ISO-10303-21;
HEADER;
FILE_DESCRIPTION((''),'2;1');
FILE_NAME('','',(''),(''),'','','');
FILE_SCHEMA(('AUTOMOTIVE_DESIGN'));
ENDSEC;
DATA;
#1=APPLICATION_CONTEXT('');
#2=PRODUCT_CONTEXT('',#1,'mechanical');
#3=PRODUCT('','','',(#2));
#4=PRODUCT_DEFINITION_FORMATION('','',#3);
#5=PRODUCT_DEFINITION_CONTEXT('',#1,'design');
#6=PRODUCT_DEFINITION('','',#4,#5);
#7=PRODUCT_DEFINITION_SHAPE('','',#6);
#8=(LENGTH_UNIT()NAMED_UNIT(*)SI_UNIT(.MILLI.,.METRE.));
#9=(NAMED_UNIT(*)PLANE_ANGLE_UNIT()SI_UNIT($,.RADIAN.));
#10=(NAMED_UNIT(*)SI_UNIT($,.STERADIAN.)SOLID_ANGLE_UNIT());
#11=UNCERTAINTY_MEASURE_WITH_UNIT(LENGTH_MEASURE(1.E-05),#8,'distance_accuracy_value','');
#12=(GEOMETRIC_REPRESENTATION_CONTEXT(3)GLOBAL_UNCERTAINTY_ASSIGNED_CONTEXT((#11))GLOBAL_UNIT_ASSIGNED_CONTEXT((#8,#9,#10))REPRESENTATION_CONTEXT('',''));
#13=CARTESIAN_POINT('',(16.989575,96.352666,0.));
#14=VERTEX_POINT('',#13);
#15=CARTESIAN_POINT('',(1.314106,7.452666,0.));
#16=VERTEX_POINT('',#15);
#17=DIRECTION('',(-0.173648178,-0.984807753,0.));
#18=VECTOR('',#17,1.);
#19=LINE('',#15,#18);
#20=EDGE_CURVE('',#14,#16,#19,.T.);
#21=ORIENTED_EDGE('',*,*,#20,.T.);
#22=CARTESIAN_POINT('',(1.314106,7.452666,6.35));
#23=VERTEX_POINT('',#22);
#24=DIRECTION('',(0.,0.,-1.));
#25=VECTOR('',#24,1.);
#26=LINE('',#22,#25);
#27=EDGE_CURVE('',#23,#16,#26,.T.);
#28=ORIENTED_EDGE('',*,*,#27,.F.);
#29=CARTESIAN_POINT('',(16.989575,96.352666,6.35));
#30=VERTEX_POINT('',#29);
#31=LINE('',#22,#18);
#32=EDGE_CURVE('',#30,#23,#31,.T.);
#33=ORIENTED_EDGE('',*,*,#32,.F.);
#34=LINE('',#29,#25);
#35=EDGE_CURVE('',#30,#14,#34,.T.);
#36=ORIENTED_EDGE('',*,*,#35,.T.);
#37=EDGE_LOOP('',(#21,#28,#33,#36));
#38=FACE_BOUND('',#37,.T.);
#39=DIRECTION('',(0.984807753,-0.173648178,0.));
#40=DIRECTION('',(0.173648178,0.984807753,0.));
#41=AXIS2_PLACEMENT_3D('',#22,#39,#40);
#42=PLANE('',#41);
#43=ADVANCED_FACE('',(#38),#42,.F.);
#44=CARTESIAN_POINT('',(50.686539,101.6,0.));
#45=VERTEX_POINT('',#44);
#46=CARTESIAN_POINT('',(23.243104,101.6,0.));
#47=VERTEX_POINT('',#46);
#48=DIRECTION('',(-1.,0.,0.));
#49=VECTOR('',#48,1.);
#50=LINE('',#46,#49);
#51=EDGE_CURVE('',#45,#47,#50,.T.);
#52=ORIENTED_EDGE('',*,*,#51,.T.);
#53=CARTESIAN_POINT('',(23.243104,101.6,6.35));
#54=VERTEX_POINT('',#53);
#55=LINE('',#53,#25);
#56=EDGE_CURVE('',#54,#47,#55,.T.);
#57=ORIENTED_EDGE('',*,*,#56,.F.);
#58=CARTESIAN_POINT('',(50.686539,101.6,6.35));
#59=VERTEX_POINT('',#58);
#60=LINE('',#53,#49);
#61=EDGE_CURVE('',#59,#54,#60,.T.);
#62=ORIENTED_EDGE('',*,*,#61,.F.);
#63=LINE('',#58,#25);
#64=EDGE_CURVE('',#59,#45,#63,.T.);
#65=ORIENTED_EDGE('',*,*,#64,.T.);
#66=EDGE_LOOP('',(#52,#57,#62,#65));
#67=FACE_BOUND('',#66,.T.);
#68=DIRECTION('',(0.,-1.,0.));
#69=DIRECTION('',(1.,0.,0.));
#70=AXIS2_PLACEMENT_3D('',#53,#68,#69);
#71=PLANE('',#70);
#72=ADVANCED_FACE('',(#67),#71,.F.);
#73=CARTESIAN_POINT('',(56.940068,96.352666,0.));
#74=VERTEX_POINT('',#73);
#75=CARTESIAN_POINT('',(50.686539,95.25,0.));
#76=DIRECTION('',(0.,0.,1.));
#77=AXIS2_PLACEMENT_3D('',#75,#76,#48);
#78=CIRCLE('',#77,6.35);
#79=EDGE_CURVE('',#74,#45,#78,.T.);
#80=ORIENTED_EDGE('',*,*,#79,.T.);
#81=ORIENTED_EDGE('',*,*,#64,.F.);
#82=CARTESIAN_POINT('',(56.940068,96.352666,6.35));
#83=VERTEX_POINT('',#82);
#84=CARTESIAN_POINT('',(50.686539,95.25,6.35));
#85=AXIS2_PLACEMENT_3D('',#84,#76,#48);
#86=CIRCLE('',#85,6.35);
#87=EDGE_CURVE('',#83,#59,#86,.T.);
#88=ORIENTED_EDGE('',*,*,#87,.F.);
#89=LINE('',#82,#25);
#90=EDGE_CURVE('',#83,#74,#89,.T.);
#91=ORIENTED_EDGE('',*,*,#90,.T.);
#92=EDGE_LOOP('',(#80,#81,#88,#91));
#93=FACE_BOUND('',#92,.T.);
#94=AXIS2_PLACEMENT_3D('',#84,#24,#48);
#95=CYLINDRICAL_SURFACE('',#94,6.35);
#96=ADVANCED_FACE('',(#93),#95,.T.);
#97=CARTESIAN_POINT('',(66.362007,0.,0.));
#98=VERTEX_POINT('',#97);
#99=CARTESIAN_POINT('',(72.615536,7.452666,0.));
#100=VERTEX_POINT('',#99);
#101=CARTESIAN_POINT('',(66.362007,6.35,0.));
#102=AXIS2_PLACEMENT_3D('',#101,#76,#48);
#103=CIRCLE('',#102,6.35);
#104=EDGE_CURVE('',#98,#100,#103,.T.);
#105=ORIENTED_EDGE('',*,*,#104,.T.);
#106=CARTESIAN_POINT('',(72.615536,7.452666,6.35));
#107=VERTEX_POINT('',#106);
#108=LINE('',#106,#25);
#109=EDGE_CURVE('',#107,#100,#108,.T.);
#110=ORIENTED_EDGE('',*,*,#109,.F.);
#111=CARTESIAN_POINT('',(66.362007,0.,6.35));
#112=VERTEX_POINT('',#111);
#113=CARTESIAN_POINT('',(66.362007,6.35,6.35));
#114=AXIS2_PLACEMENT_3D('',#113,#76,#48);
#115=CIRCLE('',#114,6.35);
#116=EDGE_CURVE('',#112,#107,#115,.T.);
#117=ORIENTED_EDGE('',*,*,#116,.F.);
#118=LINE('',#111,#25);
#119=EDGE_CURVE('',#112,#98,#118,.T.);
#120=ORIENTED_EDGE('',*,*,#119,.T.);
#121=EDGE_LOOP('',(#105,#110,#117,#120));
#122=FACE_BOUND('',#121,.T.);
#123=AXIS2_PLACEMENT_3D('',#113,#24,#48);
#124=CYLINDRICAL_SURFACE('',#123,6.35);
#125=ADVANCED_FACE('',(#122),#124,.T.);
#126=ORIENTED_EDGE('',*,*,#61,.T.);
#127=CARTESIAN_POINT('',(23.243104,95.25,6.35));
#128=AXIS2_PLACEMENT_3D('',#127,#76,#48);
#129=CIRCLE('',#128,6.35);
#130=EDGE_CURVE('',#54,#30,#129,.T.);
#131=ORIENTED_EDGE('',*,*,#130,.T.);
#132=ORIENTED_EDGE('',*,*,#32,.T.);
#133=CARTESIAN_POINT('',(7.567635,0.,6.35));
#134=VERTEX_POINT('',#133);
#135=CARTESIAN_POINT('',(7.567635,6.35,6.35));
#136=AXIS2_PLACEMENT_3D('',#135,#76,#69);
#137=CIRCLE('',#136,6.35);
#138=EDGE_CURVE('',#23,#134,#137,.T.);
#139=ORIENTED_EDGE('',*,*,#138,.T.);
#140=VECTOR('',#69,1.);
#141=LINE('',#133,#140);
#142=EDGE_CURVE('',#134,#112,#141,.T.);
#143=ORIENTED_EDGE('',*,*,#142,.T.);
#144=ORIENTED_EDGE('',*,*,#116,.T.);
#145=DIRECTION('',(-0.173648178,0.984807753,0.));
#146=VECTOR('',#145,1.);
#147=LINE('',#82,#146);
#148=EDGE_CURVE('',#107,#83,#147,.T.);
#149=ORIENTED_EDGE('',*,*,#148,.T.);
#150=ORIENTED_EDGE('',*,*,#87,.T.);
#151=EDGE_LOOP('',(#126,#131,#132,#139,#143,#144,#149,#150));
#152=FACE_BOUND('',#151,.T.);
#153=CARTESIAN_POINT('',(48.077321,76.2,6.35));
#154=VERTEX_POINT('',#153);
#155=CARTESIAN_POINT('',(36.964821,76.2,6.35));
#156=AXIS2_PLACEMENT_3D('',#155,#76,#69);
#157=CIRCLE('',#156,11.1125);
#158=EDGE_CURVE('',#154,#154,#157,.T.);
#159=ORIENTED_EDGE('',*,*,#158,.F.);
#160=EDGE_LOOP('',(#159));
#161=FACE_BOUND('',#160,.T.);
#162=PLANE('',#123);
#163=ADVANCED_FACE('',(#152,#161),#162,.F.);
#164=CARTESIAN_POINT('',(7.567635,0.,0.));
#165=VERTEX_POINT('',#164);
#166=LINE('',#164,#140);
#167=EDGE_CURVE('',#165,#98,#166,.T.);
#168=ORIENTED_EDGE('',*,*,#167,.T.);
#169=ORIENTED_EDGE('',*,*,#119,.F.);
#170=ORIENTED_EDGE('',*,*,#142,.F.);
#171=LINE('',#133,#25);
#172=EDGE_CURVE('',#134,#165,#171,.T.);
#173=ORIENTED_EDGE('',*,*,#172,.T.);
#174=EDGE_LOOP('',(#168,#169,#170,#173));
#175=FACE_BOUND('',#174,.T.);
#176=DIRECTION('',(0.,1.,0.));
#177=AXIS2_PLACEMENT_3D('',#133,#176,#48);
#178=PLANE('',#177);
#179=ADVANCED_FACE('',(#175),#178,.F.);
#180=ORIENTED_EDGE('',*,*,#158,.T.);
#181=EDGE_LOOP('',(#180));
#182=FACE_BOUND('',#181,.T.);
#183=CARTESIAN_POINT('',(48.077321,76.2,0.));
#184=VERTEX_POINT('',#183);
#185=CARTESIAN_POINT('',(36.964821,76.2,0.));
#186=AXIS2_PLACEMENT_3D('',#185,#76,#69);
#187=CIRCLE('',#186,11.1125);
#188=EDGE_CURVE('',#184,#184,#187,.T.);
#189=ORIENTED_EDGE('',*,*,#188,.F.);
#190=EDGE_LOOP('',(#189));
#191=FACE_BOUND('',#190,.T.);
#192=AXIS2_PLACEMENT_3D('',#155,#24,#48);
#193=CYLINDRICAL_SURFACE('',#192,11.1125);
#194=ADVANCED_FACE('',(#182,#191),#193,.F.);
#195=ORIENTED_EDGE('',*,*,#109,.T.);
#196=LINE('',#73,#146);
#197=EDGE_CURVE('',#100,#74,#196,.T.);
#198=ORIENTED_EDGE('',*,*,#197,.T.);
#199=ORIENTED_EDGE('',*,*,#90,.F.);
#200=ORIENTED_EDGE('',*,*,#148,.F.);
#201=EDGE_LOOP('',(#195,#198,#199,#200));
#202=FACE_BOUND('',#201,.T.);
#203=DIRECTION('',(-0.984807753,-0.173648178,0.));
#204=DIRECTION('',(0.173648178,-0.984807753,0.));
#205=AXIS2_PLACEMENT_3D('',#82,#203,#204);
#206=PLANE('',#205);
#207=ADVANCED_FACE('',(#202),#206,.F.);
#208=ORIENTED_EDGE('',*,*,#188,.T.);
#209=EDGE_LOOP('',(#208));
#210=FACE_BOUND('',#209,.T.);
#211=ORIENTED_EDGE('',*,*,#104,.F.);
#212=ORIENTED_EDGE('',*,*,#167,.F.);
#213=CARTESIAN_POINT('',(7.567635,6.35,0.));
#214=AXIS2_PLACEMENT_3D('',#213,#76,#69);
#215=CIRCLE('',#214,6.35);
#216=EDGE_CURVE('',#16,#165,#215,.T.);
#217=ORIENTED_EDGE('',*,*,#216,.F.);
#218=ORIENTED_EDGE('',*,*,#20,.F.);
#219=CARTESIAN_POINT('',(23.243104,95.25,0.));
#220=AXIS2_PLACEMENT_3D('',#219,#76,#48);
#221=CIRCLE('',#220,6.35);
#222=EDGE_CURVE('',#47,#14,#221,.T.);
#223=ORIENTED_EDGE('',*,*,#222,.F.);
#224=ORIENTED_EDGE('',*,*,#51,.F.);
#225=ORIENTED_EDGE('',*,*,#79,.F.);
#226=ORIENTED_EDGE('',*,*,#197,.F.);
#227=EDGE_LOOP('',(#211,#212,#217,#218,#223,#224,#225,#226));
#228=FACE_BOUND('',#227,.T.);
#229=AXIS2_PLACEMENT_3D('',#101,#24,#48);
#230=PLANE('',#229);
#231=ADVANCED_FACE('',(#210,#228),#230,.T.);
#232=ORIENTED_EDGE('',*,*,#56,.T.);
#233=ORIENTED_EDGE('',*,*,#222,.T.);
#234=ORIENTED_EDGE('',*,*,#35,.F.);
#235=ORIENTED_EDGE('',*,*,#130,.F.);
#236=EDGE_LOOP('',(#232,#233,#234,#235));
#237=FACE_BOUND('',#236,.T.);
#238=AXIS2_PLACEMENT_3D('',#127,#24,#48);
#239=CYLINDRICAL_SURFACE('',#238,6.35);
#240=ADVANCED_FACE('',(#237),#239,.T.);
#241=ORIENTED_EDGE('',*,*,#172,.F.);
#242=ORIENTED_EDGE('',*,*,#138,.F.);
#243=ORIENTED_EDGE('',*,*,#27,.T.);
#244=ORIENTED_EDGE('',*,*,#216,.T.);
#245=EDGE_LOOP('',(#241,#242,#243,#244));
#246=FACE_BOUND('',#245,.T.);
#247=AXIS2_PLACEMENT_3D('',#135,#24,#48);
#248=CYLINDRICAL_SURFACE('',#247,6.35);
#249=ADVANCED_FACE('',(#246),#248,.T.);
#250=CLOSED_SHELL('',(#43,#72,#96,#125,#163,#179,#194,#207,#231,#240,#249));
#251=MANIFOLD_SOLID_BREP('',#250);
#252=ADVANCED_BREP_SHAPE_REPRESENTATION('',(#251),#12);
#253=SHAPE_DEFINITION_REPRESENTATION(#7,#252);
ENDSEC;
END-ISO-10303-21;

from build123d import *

# Parameters (mm, degrees)
LAYOUT_R            = 11.1125
BOSS_EXTRUDE1_DEPTH = 6.35


with BuildPart() as part:
    # Layout → Boss-Extrude1 (new body)
    with BuildSketch(Plane.XY):
        with BuildLine():
            Line((1.314106081, 7.452665928), (16.989574666, 96.352665928))
            ThreePointArc((16.989574666, 96.352665928), (19.161402576, 100.114382214), (23.243103898, 101.6))
            Line((23.243103898, 101.6), (50.686538582, 101.6))
            ThreePointArc((50.686538582, 101.6), (54.768239904, 100.114382214), (56.940067814, 96.352665928))
            Line((56.940067814, 96.352665928), (72.615536399, 7.452665928))
            ThreePointArc((72.615536399, 7.452665928), (71.226389381, 2.268298678), (66.362007167, 0))
            Line((66.362007167, 0), (7.567635313, 0))
            ThreePointArc((7.567635313, 0), (2.703253099, 2.268298678), (1.314106081, 7.452665928))
        make_face()
        with Locations((36.96482124, 76.2)):
            Circle(LAYOUT_R, mode=Mode.SUBTRACT)
    extrude(amount=BOSS_EXTRUDE1_DEPTH)


solid = part.part
